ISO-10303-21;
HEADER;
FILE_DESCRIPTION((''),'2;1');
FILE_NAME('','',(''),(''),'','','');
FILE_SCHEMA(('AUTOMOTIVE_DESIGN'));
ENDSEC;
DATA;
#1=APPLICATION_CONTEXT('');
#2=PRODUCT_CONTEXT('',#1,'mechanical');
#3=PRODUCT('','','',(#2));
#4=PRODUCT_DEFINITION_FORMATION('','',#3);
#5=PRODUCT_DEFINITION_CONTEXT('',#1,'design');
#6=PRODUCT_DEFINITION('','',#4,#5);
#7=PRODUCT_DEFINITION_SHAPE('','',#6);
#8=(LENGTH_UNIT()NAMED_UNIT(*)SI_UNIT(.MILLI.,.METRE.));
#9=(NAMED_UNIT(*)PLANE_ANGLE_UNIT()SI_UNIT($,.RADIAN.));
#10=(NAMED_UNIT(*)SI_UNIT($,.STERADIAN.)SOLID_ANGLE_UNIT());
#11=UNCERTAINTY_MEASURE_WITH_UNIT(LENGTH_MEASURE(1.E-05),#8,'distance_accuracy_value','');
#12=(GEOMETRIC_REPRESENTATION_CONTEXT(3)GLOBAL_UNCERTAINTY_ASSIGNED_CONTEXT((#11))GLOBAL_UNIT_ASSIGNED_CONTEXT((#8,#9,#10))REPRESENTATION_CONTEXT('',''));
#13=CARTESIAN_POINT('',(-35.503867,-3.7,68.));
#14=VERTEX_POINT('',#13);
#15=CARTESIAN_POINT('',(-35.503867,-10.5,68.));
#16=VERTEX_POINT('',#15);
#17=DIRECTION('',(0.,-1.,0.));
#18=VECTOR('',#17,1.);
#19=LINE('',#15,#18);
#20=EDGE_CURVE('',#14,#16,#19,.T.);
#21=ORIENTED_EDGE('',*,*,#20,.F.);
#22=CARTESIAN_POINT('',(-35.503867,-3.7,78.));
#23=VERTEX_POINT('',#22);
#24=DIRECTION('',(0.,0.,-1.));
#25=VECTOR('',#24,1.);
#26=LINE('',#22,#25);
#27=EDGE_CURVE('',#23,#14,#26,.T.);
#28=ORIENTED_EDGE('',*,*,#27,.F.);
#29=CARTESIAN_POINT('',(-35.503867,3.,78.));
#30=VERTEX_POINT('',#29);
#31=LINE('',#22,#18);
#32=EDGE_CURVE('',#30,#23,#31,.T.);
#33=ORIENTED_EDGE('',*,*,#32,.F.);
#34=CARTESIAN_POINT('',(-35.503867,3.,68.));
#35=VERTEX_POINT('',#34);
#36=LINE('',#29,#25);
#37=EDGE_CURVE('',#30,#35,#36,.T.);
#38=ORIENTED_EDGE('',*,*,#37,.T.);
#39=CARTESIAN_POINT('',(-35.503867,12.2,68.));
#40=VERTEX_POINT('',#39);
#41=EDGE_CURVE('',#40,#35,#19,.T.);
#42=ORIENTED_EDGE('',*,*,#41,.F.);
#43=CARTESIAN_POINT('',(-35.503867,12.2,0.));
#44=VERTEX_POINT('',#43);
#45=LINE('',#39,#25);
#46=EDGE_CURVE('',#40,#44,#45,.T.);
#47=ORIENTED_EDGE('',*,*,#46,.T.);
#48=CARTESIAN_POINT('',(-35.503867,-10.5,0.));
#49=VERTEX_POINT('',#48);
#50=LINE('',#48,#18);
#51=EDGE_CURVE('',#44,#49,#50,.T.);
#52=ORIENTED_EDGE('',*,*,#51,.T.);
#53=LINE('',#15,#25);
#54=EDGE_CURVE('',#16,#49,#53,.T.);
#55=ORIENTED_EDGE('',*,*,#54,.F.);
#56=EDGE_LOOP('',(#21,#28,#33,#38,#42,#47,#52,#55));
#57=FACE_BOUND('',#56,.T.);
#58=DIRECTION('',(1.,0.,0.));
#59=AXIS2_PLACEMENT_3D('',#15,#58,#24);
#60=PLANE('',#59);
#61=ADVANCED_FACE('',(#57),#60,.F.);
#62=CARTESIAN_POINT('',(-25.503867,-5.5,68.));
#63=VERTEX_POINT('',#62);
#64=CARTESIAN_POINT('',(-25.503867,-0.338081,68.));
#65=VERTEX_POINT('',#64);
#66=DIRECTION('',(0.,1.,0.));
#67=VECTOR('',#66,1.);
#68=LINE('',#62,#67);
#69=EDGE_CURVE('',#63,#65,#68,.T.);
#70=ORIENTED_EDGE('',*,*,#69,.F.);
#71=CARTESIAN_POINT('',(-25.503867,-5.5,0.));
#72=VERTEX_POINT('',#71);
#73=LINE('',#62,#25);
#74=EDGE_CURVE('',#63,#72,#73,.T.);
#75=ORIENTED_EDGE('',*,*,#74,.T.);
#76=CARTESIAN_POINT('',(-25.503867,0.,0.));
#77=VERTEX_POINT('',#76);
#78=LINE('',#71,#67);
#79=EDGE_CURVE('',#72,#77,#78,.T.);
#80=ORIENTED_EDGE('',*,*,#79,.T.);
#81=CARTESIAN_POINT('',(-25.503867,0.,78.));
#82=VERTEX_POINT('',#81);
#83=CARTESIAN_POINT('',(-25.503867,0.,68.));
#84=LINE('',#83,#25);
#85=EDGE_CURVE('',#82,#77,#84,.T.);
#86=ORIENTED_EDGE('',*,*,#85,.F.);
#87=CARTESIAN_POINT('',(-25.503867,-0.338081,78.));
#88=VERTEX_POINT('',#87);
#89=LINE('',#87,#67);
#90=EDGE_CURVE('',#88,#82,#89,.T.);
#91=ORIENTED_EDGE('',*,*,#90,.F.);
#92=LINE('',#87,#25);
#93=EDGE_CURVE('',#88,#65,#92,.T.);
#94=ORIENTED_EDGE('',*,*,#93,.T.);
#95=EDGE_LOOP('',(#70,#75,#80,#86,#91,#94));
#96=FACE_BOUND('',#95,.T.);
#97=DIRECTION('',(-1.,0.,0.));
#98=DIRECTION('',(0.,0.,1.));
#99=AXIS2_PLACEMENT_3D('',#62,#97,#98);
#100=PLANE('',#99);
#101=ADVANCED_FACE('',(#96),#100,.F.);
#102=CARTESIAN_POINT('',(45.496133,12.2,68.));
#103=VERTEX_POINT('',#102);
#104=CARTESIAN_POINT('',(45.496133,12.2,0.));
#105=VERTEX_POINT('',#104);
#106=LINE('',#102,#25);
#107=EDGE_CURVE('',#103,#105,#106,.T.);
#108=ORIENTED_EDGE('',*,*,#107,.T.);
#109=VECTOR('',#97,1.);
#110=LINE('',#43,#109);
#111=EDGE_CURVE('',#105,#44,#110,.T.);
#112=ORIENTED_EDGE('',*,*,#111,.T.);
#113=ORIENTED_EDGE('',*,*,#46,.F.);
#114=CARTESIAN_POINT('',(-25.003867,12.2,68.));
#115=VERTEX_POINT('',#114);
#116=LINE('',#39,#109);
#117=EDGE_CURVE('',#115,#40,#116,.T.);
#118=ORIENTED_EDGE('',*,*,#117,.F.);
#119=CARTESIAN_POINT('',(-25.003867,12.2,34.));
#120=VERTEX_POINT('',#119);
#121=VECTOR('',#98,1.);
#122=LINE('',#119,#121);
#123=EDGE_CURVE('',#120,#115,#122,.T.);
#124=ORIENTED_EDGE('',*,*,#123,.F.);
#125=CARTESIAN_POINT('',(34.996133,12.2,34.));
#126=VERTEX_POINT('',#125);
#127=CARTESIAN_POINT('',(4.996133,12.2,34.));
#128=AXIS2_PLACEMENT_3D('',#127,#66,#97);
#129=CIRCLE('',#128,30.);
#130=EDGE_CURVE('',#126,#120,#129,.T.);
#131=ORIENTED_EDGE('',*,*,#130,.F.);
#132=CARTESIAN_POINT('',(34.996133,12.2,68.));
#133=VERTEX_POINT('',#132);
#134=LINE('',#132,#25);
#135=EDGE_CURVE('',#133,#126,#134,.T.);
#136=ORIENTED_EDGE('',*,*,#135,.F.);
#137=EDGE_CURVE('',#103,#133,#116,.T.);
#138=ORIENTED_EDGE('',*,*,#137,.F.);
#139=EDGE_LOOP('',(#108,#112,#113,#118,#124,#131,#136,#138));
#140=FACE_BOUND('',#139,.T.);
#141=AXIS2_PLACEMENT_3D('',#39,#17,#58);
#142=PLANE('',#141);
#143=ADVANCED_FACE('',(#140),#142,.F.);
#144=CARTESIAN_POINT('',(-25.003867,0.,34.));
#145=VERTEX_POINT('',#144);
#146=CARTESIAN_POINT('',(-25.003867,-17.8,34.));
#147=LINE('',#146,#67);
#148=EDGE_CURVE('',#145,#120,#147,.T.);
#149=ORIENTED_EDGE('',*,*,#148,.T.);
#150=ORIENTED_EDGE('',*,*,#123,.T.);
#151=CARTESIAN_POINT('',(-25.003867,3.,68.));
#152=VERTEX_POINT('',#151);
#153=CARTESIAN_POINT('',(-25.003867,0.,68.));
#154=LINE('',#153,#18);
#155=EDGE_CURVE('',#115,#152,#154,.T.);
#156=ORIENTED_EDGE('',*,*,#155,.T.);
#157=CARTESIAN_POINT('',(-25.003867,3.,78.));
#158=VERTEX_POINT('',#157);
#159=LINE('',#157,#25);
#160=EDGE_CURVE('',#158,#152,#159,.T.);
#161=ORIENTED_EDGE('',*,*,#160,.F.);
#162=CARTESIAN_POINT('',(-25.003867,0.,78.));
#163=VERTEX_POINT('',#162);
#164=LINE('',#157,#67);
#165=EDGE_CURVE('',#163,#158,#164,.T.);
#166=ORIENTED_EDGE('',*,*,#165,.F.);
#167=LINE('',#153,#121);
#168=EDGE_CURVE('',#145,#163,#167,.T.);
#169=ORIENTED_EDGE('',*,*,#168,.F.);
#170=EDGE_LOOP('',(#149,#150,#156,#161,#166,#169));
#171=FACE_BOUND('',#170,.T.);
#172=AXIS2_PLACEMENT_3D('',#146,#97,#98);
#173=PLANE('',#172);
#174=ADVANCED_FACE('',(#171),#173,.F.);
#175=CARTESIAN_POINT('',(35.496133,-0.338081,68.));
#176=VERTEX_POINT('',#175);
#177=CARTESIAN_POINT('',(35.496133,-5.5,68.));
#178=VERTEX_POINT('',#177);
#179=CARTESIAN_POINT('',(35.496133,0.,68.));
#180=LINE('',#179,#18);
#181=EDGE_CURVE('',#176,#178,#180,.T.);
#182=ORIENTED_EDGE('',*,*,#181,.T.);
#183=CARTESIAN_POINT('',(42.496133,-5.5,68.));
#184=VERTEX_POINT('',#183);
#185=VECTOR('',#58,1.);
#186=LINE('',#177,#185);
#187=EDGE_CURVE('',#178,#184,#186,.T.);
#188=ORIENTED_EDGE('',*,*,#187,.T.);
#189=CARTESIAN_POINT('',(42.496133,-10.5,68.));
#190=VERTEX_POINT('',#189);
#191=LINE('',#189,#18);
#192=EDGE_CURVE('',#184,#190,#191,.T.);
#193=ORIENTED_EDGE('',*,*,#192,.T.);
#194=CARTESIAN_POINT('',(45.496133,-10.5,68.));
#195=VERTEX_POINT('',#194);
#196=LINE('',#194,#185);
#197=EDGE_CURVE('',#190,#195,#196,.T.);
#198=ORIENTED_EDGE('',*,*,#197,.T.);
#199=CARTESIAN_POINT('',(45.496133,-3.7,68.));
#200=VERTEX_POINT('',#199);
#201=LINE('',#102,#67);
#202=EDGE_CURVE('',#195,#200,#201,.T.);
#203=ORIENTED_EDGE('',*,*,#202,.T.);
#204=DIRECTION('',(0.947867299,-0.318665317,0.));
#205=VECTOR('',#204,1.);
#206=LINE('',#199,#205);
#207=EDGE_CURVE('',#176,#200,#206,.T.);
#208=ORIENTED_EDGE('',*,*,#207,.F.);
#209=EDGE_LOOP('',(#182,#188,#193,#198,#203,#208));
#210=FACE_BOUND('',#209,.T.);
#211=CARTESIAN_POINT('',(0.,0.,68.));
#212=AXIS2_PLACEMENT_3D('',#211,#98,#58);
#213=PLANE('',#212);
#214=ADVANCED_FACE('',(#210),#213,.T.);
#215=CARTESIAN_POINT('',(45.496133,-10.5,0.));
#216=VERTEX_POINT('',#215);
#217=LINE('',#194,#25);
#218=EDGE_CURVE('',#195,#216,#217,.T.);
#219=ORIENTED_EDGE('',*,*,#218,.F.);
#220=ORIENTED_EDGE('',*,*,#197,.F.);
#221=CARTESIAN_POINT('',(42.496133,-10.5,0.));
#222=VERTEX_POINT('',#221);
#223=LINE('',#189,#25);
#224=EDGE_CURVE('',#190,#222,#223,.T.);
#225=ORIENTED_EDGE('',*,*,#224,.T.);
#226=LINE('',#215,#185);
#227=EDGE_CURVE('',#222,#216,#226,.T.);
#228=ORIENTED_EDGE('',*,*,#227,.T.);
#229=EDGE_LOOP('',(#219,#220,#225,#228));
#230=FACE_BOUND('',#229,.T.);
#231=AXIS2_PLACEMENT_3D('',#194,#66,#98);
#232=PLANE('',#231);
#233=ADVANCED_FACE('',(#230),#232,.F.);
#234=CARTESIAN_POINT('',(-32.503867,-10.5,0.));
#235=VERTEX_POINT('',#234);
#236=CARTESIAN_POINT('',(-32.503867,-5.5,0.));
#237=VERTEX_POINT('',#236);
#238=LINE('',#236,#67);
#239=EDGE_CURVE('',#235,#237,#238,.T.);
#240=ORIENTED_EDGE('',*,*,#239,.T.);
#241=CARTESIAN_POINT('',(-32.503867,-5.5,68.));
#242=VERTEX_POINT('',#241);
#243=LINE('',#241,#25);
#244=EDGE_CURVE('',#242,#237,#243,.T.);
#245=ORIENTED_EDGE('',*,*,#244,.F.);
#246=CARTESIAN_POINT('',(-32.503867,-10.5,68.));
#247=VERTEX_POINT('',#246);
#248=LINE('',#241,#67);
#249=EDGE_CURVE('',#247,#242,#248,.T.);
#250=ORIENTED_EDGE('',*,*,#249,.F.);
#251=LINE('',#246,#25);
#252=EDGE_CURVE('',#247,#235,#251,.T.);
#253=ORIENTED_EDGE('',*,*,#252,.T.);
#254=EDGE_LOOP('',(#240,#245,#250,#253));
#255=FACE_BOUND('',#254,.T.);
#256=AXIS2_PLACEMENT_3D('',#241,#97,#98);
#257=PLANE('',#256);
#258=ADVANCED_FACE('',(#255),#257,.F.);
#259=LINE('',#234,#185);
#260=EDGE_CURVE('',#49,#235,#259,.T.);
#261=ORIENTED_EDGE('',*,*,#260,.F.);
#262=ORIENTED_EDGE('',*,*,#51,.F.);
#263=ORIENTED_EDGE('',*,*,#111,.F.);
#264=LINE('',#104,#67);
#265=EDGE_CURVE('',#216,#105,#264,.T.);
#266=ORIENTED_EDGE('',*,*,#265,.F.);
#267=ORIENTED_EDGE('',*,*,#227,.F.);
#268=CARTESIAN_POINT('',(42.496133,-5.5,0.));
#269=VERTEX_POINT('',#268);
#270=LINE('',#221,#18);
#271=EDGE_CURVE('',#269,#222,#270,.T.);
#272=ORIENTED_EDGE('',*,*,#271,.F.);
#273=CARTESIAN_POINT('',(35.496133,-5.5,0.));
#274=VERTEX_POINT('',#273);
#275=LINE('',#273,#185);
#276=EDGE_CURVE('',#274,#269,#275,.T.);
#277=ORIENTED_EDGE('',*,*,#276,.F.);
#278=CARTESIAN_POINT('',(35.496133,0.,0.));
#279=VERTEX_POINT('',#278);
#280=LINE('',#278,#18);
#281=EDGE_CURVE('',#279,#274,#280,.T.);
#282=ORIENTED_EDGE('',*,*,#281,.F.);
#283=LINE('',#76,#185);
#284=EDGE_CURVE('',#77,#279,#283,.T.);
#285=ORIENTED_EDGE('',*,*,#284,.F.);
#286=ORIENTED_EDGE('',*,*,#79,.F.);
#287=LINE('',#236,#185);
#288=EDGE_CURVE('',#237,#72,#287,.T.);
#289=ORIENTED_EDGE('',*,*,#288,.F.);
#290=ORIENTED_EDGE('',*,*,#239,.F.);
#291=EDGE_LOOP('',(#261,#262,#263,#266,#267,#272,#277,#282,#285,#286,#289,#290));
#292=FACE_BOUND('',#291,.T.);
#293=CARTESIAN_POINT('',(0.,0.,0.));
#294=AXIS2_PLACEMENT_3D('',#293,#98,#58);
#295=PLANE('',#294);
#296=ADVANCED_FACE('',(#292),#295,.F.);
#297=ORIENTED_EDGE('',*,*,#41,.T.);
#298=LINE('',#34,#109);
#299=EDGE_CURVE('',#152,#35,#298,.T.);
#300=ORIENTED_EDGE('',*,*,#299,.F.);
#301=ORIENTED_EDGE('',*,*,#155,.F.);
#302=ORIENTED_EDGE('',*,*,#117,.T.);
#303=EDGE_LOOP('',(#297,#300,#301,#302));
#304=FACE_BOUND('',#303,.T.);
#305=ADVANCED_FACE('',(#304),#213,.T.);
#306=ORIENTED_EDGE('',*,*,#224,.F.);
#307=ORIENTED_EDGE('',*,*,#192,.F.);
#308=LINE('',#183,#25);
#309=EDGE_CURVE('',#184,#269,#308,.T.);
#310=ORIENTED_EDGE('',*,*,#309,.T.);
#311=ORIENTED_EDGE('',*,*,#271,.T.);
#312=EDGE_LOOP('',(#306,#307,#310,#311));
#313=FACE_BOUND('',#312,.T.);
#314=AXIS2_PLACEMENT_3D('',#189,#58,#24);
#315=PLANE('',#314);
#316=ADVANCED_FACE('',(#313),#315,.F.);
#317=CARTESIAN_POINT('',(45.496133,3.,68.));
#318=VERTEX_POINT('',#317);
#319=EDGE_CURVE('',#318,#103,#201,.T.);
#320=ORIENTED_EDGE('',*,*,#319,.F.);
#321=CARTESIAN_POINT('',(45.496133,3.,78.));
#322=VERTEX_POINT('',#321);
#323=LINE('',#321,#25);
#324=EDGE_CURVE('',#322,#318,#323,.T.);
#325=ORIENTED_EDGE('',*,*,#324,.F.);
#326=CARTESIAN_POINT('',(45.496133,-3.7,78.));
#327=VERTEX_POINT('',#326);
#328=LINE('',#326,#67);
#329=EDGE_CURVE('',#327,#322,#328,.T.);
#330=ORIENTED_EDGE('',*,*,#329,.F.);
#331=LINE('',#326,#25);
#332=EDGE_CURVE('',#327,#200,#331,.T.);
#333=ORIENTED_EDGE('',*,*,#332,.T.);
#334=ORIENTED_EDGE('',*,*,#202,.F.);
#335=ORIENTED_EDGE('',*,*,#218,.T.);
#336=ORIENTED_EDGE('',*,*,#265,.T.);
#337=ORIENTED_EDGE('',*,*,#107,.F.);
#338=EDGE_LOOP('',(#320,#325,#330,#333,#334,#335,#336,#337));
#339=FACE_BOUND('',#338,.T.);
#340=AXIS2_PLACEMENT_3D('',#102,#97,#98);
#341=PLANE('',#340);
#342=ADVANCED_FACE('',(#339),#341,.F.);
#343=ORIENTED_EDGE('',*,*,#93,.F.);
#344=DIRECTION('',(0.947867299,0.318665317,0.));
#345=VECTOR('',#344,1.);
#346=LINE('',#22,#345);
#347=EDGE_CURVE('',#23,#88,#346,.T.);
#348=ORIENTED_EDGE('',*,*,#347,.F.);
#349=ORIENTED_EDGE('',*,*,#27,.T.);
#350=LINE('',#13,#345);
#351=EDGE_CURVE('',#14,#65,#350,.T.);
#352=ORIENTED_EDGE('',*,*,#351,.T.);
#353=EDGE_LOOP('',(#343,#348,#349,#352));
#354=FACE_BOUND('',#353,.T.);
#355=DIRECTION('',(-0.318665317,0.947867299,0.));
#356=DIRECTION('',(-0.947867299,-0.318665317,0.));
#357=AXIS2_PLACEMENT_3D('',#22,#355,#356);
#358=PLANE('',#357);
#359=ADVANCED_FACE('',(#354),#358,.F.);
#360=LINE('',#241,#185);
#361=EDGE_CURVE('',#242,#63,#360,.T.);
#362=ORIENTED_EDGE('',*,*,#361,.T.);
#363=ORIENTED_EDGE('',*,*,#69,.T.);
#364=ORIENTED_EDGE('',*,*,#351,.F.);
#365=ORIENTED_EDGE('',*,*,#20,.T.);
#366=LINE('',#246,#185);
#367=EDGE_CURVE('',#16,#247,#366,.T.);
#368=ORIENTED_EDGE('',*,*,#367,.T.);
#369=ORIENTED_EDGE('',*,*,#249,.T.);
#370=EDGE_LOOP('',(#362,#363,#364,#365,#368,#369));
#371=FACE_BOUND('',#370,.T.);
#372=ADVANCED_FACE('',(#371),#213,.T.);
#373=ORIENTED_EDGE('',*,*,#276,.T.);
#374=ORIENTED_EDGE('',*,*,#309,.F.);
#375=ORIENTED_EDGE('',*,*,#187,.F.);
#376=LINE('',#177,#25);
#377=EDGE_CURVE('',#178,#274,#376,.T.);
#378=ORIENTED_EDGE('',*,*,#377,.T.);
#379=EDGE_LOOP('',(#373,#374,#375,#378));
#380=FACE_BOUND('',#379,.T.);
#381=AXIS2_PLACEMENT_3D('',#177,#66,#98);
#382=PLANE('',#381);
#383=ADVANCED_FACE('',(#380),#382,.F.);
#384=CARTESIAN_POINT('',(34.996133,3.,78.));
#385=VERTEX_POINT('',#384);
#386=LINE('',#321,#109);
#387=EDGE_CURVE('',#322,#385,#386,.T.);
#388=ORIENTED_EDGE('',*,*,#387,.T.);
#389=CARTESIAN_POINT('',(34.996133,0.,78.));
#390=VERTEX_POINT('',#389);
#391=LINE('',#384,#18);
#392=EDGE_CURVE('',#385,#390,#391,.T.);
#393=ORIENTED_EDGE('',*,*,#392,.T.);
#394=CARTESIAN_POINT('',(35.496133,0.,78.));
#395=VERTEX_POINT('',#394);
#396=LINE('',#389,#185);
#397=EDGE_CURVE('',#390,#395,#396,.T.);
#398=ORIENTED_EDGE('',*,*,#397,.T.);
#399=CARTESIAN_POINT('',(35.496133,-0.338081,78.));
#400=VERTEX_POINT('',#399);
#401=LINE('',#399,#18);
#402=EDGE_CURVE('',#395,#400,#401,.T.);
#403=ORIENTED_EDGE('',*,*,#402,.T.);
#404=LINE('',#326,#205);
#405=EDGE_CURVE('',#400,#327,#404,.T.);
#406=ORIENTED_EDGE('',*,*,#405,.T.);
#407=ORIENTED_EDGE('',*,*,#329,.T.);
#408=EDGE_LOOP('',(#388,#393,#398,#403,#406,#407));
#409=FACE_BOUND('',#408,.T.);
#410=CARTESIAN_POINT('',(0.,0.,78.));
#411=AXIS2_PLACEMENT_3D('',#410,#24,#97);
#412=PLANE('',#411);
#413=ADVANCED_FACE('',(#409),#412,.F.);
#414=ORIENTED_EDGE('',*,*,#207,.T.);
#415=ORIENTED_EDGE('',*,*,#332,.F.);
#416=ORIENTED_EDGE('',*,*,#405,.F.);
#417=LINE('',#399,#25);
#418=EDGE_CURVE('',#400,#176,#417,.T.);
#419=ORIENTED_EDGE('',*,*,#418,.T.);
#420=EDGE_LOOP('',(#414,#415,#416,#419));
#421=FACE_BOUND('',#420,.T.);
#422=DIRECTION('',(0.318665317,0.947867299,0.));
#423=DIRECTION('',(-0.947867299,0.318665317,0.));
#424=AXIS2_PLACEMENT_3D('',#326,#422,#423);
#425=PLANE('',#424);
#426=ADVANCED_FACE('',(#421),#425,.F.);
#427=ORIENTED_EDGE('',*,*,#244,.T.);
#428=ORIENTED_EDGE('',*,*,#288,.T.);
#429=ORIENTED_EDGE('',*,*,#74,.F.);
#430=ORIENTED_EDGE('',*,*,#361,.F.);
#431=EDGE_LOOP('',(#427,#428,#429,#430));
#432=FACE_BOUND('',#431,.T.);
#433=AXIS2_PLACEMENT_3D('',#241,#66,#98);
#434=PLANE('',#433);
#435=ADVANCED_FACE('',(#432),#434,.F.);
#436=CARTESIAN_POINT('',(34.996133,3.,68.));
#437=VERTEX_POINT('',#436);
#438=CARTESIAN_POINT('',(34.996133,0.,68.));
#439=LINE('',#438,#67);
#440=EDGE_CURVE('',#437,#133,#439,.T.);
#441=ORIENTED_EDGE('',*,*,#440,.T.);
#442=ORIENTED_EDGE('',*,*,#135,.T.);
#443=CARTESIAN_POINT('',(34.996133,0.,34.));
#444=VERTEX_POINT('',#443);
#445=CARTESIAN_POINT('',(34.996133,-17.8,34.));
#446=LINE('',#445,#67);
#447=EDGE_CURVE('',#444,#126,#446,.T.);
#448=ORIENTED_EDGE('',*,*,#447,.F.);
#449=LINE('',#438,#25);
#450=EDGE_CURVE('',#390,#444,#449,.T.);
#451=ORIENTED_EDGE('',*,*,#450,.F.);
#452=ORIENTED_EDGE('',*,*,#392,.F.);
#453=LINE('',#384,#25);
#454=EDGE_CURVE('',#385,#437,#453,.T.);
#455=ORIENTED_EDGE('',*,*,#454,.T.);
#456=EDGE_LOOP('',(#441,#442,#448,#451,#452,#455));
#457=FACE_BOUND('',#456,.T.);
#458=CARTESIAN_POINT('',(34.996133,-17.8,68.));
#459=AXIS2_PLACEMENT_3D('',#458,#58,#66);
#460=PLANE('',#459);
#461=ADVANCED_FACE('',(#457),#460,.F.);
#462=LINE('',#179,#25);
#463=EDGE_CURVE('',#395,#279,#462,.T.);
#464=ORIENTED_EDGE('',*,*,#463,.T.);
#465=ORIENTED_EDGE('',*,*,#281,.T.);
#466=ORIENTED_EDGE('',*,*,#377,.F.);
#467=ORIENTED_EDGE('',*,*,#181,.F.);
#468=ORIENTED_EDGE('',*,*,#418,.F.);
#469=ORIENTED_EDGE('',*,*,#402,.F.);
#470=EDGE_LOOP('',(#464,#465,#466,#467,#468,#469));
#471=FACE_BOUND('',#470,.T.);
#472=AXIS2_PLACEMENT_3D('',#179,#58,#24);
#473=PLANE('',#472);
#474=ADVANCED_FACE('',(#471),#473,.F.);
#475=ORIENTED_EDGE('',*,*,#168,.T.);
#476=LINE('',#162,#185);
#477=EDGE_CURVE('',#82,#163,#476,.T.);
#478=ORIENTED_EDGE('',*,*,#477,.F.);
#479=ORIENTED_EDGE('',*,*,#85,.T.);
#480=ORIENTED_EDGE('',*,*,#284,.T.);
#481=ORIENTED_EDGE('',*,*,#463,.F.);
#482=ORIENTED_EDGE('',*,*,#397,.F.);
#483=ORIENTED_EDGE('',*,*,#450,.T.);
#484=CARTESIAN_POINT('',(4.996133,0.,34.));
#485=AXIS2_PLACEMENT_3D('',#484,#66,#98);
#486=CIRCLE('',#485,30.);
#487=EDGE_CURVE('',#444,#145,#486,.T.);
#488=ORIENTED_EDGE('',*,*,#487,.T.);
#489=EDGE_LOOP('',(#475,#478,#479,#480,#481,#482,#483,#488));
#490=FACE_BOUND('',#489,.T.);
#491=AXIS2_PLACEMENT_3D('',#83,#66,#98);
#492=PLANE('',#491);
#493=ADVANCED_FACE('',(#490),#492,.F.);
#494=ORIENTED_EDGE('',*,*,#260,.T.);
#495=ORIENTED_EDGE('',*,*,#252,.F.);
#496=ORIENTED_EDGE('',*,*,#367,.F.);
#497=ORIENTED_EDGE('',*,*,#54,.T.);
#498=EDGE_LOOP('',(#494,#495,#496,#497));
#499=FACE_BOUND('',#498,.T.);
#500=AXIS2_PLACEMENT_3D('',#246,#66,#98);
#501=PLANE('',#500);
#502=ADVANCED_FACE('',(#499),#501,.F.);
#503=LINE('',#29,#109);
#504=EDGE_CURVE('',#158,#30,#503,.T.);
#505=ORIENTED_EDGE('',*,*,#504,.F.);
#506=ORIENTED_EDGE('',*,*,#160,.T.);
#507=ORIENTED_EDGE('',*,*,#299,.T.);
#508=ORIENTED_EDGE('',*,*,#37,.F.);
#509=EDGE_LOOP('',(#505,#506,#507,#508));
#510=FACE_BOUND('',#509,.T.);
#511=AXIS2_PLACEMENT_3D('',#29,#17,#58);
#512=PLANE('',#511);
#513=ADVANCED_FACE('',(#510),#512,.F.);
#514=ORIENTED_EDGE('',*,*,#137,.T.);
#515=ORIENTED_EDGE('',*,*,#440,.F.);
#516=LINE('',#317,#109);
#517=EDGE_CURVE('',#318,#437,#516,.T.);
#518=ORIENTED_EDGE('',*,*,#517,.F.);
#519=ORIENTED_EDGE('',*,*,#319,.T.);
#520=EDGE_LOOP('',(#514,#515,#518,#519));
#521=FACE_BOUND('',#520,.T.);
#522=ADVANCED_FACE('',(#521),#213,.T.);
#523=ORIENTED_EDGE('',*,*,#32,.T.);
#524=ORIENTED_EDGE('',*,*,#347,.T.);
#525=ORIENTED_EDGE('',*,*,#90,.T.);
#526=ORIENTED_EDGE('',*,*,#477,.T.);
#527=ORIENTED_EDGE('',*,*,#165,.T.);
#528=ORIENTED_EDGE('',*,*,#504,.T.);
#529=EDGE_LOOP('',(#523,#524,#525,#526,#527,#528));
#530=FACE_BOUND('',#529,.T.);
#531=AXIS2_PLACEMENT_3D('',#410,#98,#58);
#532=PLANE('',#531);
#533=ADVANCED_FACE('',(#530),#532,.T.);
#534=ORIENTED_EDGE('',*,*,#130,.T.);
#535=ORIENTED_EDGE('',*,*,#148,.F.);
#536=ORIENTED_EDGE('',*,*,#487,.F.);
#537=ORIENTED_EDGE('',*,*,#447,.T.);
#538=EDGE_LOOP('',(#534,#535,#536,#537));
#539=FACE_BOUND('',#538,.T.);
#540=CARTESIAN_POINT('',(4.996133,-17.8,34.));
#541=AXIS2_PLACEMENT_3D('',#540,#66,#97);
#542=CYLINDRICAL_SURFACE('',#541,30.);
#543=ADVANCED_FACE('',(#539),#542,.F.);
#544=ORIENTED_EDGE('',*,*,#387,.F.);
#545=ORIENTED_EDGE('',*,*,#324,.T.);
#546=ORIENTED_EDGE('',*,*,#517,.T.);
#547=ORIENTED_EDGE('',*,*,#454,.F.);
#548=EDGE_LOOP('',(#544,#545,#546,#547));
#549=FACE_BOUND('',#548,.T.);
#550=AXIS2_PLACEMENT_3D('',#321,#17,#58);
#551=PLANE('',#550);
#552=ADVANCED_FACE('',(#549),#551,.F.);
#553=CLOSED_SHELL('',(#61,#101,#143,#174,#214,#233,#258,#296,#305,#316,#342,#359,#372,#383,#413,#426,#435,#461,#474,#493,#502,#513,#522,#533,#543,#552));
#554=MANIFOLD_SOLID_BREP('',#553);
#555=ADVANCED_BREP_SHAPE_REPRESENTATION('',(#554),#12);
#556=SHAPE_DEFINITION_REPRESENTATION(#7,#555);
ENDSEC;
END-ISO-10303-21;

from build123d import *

# Parameters (mm, degrees)
BOSS_EXTRU_1_DEPTH      = 68
ENL_V_MAT_EXTRU_1_DEPTH = 30
BOSS_EXTRU_2_DEPTH      = 10


with BuildPart() as part:
    # Esquisse1 → Boss.-Extru.1 (new body)
    with BuildSketch(Plane.XY):
        Polygon((-32.503867199, -5.5), (-32.503867199, -10.5), (-35.503867199, -10.5), (-35.503867199, 12.2), (45.496132801, 12.2), (45.496132801, -10.5), (42.496132801, -10.5), (42.496132801, -5.5), (35.496132801, -5.5), (35.496132801, 0), (-25.503867199, 0), (-25.503867199, -5.5), align=None)
    extrude(amount=BOSS_EXTRU_1_DEPTH)

    # Esquisse2 → Enlèv. mat.-Extru.1 (cut)
    with BuildSketch(Plane(origin=(0, 12.2, 0), x_dir=(1, 0, 0), z_dir=(0, 1, 0))):
        with BuildLine():
            Line((-25.003867199, -34), (-25.003867199, -68))
            Line((-25.003867199, -68), (34.996132801, -68))
            Line((34.996132801, -68), (34.996132801, -34))
            ThreePointArc((34.996132801, -34), (4.996132801, -4), (-25.003867199, -34))
        make_face()
    extrude(amount=-ENL_V_MAT_EXTRU_1_DEPTH, mode=Mode.SUBTRACT)

    # Esquisse3 → Boss.-Extru.2 (add)
    with BuildSketch(Plane.XY.offset(68)):
        Polygon((-35.503867199, -3.7), (-35.503867199, 3), (-25.003867199, 3), (-25.003867199, 0), (-25.503867199, 0), (-25.503867199, -0.338080905), align=None)
        Polygon((35.496132801, -0.338080905), (35.496132801, 0), (34.996132801, 0), (34.996132801, 3), (45.496132801, 3), (45.496132801, -3.7), align=None)
    extrude(amount=BOSS_EXTRU_2_DEPTH)


solid = part.part
